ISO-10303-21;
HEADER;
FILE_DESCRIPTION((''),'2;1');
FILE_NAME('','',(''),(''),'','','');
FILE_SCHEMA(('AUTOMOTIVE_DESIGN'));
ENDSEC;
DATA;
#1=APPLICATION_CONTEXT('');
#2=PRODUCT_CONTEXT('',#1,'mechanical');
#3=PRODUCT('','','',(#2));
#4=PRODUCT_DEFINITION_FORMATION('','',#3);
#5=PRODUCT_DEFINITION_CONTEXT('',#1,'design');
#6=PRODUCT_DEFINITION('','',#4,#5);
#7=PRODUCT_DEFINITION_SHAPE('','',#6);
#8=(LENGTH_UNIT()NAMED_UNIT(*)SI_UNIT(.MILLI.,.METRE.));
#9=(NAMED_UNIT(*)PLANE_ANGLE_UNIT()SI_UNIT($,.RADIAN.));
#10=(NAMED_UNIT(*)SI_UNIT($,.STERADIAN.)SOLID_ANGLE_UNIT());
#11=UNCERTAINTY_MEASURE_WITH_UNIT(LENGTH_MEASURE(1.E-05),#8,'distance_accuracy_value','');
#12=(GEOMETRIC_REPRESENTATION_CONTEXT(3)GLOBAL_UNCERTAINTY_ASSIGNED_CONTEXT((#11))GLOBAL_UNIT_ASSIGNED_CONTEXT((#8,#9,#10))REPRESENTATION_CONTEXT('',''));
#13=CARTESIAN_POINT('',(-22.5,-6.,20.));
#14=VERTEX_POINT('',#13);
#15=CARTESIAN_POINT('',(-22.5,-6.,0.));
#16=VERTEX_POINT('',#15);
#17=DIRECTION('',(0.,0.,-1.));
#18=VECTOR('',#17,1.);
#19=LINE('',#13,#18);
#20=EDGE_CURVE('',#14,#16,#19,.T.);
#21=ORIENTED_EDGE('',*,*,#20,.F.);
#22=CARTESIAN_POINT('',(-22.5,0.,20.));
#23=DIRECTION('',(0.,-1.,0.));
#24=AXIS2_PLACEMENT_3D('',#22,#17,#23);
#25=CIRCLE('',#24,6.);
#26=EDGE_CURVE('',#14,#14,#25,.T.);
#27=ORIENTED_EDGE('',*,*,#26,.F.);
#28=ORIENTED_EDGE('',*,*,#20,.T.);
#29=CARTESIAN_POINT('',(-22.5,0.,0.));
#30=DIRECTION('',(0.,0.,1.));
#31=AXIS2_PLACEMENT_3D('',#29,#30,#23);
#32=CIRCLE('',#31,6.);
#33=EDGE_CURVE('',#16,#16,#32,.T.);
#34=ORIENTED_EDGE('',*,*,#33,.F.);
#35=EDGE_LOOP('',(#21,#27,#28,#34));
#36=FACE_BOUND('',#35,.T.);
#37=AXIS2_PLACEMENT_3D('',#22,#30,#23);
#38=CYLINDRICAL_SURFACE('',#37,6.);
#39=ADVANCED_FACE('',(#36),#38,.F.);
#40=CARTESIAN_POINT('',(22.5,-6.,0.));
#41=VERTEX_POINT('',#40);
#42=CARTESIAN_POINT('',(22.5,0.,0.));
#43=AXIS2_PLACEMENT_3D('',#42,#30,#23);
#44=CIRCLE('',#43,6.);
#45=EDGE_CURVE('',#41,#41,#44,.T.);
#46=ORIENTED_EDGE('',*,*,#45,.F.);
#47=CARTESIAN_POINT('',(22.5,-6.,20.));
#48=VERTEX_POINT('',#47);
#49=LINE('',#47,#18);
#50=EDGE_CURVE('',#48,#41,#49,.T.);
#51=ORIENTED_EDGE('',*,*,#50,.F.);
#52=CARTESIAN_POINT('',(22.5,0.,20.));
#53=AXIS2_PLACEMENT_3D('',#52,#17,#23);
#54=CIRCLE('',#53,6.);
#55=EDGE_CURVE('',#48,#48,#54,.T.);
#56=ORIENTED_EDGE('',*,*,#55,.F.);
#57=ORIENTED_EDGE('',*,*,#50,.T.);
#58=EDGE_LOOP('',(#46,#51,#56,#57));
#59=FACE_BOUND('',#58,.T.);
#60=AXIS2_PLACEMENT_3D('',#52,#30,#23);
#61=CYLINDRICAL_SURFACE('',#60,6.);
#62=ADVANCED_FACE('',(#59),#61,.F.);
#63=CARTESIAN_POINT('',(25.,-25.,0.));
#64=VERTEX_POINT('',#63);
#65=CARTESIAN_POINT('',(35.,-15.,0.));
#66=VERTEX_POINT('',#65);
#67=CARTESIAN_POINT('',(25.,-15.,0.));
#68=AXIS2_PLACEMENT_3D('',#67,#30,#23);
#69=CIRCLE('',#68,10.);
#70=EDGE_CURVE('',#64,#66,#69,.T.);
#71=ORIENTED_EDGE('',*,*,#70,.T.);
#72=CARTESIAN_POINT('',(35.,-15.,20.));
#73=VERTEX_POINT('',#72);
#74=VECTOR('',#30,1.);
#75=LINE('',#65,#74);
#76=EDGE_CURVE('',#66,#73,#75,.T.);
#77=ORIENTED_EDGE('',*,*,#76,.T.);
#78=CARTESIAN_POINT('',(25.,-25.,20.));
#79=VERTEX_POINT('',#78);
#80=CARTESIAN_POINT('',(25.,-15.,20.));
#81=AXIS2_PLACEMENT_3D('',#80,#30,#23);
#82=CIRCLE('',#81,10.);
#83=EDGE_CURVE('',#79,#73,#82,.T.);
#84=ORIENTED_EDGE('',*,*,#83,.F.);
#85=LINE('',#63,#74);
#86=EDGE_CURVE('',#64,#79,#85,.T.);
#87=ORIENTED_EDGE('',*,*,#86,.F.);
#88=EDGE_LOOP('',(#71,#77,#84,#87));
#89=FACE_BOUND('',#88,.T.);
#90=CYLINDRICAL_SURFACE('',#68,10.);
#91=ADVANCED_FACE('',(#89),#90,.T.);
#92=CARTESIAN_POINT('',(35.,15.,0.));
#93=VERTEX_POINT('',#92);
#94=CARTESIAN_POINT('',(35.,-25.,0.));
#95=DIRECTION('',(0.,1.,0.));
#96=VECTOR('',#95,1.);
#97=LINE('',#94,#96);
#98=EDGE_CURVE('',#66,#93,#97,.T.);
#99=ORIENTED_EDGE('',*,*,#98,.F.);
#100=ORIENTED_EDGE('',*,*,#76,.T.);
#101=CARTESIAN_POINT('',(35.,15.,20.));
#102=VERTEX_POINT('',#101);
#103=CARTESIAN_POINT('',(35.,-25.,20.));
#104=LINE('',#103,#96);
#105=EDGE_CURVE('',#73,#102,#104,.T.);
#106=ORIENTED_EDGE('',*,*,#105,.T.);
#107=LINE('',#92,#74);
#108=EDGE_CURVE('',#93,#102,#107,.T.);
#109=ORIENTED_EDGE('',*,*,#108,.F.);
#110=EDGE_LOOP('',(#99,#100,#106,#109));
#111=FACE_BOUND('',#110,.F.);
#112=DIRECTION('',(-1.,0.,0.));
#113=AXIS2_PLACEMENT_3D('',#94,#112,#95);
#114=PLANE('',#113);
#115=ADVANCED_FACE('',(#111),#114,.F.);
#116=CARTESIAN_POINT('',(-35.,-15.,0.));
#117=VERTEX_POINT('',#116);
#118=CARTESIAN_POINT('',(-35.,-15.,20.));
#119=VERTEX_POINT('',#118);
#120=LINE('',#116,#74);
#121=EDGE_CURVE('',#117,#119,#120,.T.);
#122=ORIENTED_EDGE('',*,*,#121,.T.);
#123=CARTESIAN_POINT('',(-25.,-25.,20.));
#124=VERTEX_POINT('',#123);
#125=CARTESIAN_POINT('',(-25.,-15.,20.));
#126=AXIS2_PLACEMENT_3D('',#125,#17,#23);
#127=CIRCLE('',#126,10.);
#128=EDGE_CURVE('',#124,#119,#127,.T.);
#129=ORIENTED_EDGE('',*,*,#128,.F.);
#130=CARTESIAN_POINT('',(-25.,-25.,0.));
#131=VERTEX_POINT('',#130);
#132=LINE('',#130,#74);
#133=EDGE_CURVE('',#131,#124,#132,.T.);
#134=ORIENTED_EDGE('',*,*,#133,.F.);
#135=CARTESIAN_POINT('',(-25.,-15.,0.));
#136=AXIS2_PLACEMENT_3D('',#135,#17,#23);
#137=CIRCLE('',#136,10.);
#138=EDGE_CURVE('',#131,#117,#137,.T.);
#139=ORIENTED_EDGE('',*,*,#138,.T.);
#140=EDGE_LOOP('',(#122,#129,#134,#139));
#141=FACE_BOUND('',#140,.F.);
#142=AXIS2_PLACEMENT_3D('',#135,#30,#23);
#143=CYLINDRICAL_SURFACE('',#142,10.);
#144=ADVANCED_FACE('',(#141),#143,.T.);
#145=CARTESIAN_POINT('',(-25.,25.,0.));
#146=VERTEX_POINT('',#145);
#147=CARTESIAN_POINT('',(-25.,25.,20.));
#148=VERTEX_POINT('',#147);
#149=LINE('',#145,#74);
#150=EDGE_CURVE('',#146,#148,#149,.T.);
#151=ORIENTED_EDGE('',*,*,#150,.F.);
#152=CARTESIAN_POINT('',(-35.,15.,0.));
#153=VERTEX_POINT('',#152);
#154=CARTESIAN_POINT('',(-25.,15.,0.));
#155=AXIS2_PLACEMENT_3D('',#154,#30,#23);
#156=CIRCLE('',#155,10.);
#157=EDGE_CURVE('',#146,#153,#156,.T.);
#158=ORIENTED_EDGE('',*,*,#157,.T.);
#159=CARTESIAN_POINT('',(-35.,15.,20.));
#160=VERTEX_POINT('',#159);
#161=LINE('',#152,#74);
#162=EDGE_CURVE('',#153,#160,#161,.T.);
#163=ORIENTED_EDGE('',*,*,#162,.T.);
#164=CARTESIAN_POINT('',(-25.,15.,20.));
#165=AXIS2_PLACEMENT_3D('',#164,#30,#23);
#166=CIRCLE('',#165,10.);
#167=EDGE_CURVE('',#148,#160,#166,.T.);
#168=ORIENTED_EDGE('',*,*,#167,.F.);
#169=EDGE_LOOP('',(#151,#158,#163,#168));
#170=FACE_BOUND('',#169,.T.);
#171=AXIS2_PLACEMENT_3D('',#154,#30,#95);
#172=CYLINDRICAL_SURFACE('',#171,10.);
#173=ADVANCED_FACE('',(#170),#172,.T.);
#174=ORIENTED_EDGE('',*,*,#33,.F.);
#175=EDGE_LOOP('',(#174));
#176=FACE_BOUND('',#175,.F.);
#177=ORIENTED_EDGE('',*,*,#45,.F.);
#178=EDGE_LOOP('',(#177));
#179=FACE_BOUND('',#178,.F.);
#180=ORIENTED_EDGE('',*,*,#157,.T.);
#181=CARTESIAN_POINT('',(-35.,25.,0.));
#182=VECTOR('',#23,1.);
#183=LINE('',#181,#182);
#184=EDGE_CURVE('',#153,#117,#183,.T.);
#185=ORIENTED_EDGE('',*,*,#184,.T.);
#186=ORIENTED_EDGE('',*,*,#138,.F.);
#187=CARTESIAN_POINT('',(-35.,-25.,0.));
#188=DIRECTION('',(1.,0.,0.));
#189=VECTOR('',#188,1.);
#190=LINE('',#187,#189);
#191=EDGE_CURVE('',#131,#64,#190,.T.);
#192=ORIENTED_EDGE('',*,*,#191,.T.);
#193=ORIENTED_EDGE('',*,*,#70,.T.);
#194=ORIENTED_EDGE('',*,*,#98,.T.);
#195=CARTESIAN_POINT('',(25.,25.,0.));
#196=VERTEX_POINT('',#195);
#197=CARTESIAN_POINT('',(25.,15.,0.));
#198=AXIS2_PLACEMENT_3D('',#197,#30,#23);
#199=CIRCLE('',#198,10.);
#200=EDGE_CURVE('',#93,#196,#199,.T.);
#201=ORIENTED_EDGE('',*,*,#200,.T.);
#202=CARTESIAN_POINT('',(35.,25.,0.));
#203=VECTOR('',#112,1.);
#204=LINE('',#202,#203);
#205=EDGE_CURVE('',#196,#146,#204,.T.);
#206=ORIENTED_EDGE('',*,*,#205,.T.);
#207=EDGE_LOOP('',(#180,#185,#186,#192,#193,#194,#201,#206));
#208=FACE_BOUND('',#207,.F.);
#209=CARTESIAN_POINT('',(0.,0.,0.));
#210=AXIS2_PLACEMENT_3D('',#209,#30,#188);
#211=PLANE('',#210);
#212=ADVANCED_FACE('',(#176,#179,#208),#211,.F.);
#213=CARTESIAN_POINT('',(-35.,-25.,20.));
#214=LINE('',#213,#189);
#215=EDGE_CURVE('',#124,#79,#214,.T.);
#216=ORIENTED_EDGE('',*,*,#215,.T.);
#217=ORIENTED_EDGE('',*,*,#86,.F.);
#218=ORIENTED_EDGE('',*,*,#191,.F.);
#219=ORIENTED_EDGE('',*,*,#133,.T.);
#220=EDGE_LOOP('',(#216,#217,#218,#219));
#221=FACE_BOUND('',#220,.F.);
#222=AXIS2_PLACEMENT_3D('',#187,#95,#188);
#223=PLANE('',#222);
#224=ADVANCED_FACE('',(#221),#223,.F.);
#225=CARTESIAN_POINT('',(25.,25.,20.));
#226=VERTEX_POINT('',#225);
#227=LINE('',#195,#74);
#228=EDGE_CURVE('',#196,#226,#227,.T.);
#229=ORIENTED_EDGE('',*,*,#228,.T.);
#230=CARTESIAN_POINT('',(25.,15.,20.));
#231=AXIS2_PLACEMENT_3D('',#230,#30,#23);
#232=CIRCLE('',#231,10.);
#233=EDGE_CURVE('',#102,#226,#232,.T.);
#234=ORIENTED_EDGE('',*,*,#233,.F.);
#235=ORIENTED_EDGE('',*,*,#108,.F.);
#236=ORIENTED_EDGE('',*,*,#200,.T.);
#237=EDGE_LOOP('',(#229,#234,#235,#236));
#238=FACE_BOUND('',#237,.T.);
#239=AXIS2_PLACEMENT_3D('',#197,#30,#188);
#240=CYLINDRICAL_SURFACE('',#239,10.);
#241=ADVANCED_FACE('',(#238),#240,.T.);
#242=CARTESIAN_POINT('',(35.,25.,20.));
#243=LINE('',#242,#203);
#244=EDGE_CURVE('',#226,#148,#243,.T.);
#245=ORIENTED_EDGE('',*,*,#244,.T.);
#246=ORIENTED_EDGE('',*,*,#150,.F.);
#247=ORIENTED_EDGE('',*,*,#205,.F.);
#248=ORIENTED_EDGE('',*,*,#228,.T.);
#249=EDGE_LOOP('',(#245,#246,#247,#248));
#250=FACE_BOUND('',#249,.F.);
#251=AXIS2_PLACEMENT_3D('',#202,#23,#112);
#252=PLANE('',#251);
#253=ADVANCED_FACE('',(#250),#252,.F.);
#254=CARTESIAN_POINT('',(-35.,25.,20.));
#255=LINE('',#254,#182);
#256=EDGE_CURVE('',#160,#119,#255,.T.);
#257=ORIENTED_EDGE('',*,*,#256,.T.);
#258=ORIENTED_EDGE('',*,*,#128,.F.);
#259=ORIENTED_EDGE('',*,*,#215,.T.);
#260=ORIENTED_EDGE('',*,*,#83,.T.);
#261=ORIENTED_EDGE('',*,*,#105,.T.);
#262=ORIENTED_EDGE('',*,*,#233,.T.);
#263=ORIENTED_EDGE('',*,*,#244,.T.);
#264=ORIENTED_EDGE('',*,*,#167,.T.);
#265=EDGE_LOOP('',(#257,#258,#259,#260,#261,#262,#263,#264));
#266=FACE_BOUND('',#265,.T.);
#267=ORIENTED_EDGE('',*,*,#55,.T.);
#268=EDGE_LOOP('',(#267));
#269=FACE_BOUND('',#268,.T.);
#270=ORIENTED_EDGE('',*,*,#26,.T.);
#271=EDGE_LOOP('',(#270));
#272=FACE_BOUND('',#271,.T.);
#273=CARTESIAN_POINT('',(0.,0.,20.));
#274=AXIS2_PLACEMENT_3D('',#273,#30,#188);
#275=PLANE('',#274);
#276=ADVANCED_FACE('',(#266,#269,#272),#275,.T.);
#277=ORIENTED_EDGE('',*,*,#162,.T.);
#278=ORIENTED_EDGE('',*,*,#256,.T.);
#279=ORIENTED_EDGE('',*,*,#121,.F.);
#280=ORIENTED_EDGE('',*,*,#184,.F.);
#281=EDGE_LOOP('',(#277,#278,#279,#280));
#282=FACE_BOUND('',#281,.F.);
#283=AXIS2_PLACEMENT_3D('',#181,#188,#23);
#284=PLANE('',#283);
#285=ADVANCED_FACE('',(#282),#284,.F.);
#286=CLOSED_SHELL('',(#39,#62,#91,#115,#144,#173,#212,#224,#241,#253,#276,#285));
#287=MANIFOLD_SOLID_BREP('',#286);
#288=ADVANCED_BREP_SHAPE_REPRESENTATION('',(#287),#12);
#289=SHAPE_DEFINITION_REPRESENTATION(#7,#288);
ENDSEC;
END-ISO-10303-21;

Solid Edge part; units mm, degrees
sketch "Sketch1" plane through (0, 0, 0) normal (0, 0, 1) x (1, 0, 0)
  line L0 (-35, -25) -> (35, -25)
  line L1 (35, -25) -> (35, 25)
  line L2 (35, 25) -> (-35, 25)
  line L3 (-35, 25) -> (-35, -25)
  dimension "D1" = 70
  dimension "D2" = 50
extrude "Protrusion1" add sketch "Sketch1" along normal blind 20
fillet "Round1" radius 10 4 edges at (-35, -25, 10) (-35, 25, 10) (35, -25, 10) (35, 25, 10)
hole "Hole1" at (-22.5, 0, 20) direction (0, 0, -1) diameter 12 end up to next
hole "Hole2" at (22.5, 0, 20) direction (0, 0, -1) diameter 12 end up to next
properties material "알루미늄, 1060"
